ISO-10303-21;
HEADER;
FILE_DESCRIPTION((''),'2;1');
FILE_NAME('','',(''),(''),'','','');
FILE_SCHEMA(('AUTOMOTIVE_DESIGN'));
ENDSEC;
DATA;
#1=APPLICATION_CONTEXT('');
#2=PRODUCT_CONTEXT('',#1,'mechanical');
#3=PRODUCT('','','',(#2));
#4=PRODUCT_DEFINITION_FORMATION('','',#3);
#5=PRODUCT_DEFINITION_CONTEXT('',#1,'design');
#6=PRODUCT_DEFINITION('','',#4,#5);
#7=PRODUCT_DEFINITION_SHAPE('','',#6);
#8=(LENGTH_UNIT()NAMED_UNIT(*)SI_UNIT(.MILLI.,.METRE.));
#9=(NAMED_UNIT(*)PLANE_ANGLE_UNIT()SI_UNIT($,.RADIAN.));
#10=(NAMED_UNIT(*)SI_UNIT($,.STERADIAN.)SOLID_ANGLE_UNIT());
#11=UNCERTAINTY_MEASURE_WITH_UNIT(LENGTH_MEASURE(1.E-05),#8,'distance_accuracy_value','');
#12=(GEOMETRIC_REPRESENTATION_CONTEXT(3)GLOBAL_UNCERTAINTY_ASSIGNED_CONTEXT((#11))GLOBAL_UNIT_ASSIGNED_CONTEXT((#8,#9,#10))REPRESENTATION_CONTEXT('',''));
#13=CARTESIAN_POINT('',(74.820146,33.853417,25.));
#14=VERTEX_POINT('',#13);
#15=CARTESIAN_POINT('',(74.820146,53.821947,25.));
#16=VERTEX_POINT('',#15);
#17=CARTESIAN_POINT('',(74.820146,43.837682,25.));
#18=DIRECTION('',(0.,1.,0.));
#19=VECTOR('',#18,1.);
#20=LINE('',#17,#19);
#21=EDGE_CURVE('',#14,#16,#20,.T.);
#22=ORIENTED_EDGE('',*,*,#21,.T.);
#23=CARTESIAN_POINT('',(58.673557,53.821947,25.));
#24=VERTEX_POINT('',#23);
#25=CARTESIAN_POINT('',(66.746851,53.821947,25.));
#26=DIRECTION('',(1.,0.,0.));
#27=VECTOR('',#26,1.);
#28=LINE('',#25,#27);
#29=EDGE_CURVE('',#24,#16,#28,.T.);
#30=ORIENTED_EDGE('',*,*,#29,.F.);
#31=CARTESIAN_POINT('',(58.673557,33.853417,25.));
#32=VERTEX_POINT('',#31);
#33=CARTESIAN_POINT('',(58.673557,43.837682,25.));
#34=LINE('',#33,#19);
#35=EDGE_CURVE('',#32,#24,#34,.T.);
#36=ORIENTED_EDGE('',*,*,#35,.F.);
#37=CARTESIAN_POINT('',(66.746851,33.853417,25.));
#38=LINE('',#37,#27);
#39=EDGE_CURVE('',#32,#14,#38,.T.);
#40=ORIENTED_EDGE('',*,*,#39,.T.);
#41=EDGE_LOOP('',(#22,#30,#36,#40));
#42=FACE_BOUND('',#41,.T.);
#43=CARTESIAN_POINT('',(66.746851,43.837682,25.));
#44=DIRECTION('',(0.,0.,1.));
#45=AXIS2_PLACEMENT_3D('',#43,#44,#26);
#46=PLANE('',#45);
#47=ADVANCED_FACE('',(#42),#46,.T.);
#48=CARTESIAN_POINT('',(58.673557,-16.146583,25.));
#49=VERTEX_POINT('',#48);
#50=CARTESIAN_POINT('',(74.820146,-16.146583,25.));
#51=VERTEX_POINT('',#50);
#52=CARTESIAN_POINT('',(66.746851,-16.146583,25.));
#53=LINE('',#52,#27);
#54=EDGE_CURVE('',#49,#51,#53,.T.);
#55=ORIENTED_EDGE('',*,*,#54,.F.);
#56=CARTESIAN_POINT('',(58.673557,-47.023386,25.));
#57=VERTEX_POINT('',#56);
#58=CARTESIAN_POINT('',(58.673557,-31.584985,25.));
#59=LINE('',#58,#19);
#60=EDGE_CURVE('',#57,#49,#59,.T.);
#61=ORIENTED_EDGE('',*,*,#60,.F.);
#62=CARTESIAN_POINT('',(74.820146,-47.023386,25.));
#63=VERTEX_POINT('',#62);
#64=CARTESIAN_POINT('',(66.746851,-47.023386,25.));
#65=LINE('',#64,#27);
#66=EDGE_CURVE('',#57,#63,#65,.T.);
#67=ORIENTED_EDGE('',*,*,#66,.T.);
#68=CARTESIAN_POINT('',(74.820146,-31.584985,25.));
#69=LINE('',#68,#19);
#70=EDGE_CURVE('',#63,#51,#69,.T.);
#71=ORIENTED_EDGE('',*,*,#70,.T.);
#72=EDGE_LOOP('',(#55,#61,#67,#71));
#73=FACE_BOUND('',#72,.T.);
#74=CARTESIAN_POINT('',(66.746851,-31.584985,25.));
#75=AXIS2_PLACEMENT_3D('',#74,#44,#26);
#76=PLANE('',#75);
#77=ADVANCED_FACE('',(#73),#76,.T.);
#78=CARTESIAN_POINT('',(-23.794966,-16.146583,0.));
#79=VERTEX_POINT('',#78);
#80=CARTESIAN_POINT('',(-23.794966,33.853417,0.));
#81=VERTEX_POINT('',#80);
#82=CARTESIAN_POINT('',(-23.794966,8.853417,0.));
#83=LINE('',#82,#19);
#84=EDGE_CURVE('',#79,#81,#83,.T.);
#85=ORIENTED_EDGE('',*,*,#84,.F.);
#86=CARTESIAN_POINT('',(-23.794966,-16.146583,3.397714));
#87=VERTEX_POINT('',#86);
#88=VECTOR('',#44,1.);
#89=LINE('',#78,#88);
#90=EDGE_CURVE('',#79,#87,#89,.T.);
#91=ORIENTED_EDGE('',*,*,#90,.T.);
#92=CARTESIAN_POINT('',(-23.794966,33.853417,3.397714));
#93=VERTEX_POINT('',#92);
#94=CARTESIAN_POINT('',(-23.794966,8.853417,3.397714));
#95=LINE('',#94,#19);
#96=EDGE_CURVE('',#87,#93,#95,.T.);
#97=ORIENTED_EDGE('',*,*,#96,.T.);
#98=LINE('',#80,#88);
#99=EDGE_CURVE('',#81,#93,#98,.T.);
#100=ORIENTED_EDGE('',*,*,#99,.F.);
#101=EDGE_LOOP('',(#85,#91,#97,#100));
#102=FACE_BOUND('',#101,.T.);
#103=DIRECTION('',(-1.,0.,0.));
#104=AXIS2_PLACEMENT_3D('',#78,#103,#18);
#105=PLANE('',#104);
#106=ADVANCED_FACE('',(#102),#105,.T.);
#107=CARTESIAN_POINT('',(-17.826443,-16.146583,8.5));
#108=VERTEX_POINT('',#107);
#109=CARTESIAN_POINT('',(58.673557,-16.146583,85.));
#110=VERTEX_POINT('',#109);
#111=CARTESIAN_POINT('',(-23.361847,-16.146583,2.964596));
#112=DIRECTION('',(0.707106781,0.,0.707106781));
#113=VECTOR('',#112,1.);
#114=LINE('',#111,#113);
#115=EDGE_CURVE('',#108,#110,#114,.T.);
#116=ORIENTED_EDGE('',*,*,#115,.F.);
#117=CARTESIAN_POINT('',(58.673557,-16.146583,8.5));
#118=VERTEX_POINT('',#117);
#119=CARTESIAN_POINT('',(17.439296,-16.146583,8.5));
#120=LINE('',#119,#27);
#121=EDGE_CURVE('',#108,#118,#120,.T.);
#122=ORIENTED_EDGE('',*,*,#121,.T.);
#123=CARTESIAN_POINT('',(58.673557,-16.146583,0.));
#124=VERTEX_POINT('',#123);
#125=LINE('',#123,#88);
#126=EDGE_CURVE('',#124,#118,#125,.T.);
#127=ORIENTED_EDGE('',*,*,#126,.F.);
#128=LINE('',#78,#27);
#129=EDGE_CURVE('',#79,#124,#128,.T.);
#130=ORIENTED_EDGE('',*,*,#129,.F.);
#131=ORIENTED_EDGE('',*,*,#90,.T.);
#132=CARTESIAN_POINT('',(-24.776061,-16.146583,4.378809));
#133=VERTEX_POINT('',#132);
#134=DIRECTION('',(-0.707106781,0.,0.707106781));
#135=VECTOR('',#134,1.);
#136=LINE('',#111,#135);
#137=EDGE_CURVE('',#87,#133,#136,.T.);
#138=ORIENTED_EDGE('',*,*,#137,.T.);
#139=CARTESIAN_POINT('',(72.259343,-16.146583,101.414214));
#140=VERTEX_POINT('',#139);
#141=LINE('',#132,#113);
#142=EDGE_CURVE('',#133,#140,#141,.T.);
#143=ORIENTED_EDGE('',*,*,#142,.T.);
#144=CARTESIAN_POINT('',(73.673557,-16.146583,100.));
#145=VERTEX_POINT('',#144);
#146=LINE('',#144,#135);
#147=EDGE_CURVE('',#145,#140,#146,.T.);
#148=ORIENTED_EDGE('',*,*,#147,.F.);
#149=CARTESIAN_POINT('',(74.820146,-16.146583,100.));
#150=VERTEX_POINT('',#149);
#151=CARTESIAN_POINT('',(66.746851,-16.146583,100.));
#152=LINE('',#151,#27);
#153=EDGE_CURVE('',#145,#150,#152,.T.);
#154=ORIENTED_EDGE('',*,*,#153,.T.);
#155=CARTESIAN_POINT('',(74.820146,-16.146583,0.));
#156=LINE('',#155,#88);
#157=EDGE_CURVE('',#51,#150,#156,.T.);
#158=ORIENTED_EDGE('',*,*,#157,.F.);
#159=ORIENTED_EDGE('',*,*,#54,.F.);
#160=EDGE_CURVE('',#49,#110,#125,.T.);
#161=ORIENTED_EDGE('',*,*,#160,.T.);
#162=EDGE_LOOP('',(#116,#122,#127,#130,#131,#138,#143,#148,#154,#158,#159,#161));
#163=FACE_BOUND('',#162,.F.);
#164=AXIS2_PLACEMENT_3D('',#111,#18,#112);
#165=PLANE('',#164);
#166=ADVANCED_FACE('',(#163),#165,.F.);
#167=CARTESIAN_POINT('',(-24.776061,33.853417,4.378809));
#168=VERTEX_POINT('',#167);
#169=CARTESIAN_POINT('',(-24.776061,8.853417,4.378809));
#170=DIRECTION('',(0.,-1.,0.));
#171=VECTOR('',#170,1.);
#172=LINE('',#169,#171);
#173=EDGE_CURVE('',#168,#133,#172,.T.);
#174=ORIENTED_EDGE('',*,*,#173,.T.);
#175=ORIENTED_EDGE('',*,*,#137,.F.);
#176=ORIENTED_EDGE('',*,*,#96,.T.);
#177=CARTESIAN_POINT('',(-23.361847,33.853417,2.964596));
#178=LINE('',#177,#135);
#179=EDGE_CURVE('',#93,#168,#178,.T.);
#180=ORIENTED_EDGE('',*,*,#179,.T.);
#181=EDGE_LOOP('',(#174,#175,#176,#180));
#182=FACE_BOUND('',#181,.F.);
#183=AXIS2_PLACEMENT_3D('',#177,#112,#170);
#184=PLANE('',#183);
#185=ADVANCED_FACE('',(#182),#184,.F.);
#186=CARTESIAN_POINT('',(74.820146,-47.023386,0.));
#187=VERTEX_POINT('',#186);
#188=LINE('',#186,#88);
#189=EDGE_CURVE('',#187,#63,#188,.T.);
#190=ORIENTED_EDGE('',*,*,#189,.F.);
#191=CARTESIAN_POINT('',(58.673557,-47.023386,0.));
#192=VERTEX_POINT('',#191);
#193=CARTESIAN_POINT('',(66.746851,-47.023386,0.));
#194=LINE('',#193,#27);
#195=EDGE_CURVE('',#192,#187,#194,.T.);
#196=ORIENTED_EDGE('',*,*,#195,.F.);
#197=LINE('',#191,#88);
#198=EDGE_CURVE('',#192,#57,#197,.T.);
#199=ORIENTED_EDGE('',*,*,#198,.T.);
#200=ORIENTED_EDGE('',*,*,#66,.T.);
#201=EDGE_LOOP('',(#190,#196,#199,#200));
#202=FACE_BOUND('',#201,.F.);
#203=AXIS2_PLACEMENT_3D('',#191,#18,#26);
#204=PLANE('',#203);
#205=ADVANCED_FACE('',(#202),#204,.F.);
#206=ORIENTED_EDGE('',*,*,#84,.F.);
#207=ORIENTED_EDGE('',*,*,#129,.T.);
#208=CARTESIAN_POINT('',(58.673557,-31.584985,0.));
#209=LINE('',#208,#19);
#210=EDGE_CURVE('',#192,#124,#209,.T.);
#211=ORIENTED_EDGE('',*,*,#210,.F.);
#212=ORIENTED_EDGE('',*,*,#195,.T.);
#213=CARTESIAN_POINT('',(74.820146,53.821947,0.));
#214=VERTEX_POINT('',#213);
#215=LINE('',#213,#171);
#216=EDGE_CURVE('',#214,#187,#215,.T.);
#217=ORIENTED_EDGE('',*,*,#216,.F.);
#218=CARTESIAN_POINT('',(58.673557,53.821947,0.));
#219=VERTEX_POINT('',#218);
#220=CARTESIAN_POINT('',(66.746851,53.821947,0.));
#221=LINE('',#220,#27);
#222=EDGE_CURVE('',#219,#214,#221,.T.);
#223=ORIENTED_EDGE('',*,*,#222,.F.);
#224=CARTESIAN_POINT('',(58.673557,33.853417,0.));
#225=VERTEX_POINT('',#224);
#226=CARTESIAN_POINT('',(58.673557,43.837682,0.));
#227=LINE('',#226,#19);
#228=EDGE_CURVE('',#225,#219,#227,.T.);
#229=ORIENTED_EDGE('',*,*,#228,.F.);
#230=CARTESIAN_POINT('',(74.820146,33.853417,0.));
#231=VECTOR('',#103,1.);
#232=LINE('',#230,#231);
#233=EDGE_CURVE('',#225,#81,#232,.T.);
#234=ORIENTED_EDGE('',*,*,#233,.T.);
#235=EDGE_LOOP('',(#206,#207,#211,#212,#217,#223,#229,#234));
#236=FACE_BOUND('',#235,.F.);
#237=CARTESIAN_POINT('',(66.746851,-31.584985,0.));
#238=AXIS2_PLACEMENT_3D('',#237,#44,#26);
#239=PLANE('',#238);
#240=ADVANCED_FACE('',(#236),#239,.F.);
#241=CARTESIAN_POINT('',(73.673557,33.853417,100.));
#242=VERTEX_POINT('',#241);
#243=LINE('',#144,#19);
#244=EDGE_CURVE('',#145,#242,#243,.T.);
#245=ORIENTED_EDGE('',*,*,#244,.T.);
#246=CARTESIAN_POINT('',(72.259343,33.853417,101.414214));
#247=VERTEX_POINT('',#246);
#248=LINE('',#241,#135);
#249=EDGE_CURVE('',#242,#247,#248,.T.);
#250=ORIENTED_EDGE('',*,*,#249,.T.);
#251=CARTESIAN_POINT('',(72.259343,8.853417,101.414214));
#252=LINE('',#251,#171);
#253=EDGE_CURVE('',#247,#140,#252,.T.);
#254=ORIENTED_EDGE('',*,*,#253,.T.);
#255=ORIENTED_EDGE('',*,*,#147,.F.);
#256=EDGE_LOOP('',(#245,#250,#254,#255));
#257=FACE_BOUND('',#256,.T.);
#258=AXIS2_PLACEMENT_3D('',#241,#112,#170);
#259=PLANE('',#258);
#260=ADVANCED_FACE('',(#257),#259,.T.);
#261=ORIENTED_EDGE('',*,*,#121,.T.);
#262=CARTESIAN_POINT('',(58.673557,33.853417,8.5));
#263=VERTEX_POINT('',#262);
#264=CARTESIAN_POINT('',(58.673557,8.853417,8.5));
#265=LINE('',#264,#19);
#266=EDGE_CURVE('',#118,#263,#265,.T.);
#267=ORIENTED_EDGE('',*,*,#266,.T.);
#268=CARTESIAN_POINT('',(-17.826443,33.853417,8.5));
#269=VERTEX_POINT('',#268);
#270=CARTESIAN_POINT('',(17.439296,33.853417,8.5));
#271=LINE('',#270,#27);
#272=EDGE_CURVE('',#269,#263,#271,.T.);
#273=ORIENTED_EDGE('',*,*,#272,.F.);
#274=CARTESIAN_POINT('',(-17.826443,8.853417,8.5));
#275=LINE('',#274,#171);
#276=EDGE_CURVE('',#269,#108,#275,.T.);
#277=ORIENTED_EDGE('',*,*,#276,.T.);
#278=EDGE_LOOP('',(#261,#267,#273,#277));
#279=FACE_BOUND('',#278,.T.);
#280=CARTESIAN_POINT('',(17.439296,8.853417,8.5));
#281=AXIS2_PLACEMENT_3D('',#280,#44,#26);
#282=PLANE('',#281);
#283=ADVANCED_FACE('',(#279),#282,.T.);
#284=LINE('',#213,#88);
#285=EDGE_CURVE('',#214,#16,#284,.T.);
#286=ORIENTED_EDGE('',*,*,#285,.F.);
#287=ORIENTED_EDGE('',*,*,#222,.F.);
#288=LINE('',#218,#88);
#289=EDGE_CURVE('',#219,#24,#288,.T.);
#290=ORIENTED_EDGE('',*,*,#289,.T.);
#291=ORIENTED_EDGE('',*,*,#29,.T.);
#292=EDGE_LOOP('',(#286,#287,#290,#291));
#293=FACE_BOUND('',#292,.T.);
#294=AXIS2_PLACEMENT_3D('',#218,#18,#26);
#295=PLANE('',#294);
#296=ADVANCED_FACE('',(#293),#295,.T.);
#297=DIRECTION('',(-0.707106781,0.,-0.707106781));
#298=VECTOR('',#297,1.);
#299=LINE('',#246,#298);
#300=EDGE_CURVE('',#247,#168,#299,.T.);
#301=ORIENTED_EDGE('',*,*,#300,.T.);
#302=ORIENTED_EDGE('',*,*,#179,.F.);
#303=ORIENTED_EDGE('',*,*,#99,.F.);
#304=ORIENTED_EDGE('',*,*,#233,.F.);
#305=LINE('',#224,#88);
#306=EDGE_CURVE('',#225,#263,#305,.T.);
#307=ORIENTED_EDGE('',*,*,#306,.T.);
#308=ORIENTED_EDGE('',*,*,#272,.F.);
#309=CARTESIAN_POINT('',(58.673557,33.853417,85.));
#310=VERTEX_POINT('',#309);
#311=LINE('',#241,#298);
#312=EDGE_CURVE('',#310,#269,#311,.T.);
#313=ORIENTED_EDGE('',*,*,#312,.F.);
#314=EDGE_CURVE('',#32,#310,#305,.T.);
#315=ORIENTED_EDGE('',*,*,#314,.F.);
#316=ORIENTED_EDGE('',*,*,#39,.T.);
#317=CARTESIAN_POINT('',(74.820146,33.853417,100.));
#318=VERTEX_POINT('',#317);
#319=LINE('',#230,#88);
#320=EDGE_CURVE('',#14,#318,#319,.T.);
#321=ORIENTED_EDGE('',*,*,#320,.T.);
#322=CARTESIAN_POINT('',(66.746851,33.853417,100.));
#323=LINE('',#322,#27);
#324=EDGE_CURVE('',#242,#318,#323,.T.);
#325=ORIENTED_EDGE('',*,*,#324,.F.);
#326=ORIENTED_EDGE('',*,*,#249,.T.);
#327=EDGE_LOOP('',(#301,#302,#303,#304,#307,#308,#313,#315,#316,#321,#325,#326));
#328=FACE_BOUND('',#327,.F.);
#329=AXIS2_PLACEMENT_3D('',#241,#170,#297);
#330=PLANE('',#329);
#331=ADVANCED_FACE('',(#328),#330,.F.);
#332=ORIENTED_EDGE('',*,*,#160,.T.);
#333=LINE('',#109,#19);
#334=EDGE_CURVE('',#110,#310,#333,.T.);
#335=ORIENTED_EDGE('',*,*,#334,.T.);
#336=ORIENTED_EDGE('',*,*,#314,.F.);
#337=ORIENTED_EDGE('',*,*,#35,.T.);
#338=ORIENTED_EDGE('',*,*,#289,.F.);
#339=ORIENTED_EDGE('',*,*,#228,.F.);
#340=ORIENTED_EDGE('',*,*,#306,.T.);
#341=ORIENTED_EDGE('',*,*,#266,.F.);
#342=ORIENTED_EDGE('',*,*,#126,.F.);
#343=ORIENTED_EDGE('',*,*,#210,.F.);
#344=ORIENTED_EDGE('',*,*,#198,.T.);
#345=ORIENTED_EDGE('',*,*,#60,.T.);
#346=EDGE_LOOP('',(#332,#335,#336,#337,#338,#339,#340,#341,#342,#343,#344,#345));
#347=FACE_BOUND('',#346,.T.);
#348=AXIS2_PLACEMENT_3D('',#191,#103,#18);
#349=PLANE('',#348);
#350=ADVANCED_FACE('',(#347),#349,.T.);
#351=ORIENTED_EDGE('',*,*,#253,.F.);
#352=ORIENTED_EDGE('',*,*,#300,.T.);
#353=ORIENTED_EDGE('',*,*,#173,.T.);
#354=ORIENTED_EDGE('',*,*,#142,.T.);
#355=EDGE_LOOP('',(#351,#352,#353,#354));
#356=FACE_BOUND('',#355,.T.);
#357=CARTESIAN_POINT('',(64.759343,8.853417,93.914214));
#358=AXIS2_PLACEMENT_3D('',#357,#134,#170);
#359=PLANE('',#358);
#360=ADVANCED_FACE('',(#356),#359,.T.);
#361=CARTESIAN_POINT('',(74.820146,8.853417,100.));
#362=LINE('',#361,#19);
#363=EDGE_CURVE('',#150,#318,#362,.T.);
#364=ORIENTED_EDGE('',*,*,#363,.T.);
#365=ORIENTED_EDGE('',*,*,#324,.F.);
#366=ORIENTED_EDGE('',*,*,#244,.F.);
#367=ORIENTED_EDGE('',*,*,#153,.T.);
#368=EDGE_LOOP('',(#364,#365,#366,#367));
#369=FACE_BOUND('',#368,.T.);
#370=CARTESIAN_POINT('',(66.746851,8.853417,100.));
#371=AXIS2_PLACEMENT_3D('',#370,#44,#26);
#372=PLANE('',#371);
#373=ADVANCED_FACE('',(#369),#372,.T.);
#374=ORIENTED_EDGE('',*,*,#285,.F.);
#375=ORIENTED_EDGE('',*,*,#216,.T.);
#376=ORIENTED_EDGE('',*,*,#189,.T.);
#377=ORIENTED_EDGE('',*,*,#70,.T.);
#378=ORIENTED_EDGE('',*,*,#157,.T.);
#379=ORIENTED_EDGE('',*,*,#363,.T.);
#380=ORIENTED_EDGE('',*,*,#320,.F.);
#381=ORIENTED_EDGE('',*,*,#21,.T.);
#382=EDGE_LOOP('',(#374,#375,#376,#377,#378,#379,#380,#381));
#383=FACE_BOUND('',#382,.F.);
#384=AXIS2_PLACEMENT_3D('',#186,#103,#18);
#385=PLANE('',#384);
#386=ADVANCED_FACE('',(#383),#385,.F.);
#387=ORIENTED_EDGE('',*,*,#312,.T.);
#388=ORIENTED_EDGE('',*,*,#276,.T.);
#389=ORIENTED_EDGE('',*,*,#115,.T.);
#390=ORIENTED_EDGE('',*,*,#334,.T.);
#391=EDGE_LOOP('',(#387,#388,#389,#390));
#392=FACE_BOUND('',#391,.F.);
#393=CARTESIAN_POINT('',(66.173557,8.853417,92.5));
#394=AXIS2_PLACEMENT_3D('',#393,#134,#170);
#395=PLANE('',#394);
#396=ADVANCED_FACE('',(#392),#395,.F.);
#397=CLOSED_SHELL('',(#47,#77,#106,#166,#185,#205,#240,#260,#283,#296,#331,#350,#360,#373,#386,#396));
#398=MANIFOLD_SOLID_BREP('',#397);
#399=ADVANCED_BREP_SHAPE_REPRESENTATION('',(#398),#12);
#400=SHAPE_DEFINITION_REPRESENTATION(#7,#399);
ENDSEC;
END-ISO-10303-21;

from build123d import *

# Parameters (mm, degrees)
F0_W     = 16.1465890706
F0_H     = 50
F1_DEPTH = 100
F0_W_2   = 82.4685227126
F2_DEPTH = 8.5
F3_SIZE  = 15
F4_W     = 50
F4_H     = 137.2287848778
F5_DEPTH = 28
F4_H_2   = 21.2132034356
F4_H_3   = 116.0155814422
F6_DEPTH = 2
F0_H_2   = 30.8768022805
F0_H_3   = 19.9685309082
F7_DEPTH = 25


with BuildPart() as f1:
    # F0 (on Top) → F1 (new body)
    with BuildSketch(Plane.XY):
        with Locations((66.7468514293, 8.8534165174)):
            Rectangle(F0_W, F0_H)
    extrude(amount=F1_DEPTH)

    # F0 (on Top) → F2 (join)
    with BuildSketch(Plane.XY):
        with Locations((17.4392955378, 8.8534165174)):
            Rectangle(F0_W_2, F0_H)
    extrude(amount=F2_DEPTH)

    # F3
    f3_edges = [f1.edges().sort_by_distance(p)[0] for p in [
        (58.673557, 8.853417, 100),
    ]]
    chamfer(f3_edges, length=F3_SIZE)

    # F4 (on face) → F5 (cut)
    with BuildSketch(Plane(origin=(-13.163221553, 0, 13.163221553), x_dir=(0, -1, 0), z_dir=(-0.7071067812, 0, 0.7071067812))):
        with Locations((-8.8534165174, 54.1913573537)):
            Rectangle(F4_W, F4_H)
    extrude(amount=F5_DEPTH, mode=Mode.SUBTRACT)

    # F4 (on face) → F6 (join)
    with BuildSketch(Plane(origin=(-13.163221553, 0, 13.163221553), x_dir=(0, -1, 0), z_dir=(-0.7071067812, 0, 0.7071067812))):
        with Locations((-8.8534165174, 112.1991480748)):
            Rectangle(F4_W, F4_H_2)
        with Locations((-8.8534165174, 43.5847556359)):
            Rectangle(F4_W, F4_H_3)
    extrude(amount=F6_DEPTH)

    # F0 (on Top) → F7 (join)
    with BuildSketch(Plane.XY):
        with Locations((66.7468514293, -31.5849846229)):
            Rectangle(F0_W, F0_H_2)
        with Locations((66.7468514293, 43.8376819715)):
            Rectangle(F0_W, F0_H_3)
    extrude(amount=F7_DEPTH)


solid = f1.part
